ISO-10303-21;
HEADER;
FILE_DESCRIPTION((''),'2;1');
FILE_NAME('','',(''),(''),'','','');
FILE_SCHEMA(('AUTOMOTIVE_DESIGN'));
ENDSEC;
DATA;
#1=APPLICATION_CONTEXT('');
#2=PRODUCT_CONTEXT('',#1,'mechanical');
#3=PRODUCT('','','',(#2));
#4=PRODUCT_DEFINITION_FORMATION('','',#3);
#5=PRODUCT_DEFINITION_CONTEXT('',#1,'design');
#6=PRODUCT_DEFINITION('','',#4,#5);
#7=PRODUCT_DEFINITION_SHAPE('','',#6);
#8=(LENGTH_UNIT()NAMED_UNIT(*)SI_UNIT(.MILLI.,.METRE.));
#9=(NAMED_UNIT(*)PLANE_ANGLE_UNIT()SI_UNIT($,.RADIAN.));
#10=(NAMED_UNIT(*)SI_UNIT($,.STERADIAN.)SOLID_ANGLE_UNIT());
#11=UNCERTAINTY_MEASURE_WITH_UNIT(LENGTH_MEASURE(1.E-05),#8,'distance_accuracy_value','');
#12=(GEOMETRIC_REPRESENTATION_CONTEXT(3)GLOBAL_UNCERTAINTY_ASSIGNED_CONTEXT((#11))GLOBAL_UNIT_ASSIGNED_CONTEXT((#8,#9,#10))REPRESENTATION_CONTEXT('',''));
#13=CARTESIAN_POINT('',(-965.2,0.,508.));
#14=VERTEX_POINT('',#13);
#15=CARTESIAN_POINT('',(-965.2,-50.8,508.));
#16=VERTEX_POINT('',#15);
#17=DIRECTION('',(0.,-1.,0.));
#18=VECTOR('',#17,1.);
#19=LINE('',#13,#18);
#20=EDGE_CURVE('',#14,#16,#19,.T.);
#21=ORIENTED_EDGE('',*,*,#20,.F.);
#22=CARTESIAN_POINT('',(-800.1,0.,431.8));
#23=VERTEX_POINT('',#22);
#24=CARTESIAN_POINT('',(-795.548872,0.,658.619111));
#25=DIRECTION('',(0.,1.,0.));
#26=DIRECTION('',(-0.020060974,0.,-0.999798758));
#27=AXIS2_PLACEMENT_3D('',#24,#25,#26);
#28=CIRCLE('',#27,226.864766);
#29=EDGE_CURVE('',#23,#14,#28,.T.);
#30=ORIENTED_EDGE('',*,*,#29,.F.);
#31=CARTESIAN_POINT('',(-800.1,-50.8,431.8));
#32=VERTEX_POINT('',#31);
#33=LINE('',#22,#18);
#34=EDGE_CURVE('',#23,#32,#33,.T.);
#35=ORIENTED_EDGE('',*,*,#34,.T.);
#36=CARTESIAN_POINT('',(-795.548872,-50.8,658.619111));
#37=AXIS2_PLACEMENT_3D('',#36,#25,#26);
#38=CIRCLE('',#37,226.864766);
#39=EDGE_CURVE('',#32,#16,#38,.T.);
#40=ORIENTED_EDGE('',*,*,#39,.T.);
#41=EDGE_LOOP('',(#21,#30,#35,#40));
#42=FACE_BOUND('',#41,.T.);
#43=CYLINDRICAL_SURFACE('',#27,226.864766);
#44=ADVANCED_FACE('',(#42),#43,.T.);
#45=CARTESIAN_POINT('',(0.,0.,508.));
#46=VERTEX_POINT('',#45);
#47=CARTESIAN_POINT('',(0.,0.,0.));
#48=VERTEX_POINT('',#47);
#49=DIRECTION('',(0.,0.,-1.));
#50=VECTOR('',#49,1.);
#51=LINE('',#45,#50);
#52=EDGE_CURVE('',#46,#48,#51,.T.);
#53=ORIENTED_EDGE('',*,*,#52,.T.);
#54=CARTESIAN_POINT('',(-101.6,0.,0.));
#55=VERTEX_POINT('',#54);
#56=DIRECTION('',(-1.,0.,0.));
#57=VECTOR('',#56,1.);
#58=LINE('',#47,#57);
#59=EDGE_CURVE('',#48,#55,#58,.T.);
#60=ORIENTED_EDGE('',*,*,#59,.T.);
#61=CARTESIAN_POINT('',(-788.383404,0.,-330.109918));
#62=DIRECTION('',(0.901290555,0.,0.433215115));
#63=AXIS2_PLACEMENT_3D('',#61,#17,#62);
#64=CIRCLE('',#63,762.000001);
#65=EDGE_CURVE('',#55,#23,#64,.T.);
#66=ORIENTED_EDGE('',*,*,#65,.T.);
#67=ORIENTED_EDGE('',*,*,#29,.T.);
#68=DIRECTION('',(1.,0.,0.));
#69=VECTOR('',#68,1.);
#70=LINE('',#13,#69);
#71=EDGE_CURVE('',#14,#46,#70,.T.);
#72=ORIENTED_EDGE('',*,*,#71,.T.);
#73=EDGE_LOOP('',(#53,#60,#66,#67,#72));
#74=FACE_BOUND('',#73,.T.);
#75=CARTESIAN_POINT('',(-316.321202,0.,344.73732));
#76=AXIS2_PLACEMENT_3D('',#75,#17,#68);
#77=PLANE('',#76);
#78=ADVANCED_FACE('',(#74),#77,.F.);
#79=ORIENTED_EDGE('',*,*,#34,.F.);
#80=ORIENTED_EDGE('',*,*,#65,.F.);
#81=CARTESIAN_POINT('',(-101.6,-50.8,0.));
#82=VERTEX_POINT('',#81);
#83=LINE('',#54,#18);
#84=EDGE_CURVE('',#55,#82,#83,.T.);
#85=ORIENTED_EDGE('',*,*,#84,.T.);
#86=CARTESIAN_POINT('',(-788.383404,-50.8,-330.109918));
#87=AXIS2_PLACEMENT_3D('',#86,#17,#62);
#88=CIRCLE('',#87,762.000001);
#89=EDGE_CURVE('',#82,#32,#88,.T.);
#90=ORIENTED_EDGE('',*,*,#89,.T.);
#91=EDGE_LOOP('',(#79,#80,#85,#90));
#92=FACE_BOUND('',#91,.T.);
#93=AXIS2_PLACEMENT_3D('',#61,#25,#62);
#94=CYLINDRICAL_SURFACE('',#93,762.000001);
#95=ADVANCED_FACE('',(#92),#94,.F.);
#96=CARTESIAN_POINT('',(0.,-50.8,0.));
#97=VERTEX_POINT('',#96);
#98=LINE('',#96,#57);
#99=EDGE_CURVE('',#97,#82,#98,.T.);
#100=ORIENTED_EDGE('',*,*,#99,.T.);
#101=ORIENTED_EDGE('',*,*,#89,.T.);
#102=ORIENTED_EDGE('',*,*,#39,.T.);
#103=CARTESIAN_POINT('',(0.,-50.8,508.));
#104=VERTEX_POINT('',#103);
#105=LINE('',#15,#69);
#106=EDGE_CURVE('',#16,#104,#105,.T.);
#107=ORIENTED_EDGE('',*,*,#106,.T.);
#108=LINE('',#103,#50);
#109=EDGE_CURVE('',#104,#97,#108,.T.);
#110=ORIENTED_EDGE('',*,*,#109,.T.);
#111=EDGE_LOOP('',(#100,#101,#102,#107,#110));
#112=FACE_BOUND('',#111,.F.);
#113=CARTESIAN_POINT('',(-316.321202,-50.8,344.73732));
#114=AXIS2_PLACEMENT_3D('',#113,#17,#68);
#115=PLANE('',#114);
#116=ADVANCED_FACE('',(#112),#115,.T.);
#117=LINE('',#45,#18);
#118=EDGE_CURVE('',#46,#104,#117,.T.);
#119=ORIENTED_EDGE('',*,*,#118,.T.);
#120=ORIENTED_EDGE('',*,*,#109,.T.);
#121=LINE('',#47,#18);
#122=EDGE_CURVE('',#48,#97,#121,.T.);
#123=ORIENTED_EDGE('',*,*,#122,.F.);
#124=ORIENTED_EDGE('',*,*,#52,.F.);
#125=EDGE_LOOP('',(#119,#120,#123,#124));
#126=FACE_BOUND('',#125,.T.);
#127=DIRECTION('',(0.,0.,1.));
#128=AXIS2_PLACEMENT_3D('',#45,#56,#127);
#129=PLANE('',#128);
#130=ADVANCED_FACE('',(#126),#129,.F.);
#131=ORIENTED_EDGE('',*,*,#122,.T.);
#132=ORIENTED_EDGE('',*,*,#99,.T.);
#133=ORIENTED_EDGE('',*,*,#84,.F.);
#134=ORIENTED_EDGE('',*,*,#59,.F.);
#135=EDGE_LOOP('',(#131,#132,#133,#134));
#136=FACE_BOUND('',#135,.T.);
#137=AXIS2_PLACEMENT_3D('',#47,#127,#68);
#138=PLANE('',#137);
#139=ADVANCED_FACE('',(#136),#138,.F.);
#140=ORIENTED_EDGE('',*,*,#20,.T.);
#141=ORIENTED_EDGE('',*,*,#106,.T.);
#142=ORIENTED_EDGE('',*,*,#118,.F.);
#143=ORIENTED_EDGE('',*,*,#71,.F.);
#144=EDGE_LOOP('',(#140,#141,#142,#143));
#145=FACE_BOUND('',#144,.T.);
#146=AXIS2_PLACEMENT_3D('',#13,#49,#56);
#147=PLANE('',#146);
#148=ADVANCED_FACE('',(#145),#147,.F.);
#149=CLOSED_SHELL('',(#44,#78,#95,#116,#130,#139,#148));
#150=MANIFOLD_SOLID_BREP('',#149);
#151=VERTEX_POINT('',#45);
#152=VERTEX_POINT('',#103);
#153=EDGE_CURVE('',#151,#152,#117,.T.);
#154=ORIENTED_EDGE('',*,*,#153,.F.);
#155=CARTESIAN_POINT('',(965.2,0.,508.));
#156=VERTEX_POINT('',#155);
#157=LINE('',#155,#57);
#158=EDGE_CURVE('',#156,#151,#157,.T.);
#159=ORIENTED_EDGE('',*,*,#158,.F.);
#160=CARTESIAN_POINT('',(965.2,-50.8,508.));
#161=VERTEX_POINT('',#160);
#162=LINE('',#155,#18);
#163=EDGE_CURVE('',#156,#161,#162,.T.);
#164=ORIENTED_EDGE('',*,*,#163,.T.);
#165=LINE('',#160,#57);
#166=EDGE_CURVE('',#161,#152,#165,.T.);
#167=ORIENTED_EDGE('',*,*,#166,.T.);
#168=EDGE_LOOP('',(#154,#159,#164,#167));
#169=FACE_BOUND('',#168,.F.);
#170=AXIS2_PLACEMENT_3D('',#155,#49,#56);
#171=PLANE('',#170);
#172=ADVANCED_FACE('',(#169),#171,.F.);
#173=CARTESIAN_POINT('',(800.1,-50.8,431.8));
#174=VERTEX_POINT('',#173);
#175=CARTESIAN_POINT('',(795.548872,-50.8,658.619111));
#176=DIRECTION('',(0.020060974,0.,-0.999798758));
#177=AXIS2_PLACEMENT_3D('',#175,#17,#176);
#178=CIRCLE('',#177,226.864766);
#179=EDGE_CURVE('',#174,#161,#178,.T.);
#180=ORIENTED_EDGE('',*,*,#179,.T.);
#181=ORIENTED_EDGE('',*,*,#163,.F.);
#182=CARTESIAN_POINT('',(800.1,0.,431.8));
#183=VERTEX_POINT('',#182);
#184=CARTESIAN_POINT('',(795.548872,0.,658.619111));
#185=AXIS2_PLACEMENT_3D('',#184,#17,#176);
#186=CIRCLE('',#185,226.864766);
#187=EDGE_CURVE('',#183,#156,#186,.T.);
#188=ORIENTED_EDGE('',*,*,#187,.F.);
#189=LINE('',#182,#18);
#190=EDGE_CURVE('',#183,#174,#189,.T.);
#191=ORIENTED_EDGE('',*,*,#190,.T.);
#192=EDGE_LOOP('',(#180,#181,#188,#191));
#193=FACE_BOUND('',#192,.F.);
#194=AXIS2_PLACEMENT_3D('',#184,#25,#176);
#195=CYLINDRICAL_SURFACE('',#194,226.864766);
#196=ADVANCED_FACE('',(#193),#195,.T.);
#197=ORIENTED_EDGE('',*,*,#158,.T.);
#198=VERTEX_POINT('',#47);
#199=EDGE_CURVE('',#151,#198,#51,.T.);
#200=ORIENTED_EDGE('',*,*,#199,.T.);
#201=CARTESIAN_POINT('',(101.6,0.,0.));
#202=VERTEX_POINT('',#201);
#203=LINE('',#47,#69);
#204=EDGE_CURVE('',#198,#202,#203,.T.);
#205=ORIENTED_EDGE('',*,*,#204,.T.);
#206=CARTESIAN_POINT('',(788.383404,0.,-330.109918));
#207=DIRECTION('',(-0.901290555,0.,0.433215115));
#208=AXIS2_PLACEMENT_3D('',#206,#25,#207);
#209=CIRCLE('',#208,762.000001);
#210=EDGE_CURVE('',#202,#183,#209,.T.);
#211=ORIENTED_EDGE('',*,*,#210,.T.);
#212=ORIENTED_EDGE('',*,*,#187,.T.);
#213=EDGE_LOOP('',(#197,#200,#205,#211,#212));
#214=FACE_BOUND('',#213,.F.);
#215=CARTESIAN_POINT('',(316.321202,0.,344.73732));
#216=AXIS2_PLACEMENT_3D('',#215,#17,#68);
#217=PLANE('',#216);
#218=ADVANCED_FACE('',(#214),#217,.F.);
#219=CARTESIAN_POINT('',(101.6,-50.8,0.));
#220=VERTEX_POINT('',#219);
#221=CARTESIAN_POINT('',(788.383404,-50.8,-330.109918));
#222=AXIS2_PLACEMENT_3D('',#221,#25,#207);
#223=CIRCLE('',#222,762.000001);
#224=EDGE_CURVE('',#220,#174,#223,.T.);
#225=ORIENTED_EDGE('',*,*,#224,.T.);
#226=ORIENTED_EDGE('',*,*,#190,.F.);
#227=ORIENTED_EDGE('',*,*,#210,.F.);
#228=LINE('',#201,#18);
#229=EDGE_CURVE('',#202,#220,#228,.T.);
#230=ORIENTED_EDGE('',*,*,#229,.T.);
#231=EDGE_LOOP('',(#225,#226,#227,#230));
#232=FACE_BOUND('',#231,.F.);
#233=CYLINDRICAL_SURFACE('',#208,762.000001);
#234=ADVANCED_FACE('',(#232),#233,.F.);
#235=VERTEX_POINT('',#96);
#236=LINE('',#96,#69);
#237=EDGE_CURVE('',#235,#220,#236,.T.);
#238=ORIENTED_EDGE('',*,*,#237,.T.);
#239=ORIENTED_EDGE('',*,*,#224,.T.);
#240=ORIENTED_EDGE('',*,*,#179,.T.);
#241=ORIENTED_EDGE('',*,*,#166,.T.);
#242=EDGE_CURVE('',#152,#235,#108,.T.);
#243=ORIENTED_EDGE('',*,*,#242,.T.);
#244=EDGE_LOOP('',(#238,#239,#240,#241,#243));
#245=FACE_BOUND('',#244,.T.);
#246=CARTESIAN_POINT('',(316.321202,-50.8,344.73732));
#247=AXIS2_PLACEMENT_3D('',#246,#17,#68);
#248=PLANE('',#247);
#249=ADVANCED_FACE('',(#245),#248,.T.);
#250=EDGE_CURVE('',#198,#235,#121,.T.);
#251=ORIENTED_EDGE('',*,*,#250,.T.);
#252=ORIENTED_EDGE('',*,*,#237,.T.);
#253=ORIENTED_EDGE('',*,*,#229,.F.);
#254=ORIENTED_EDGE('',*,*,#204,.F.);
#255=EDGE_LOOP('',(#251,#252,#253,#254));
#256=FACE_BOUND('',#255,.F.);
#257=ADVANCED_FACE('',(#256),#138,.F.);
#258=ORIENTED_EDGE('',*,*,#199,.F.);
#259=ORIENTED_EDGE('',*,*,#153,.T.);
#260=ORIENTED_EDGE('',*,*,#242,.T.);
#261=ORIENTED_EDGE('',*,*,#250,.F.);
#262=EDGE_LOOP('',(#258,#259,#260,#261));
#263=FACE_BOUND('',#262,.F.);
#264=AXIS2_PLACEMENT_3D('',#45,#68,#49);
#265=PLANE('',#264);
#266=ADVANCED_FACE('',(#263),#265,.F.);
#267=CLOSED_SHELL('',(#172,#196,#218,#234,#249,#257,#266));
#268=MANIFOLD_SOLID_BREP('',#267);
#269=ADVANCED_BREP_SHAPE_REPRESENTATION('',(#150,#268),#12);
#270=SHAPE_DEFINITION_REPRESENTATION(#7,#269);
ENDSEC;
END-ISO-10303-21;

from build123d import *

# Parameters (mm, degrees)
F1_DEPTH = 50.8


with BuildPart() as f1:
    # F0 (on Front) → F1 (new body)
    with BuildSketch(Plane.XZ):
        with BuildLine():
            Line((800.1, 508), (0, 508))
            Line((0, 508), (0, 0))
            Line((0, 0), (101.6, 0))
            ThreePointArc((101.6, 0), (387.706965, 318.043145), (800.1, 431.8))
            Line((800.1, 431.8), (800.1, 508))
        make_face()
        with BuildLine():
            Line((965.2, 508), (800.1, 508))
            Line((800.1, 508), (800.1, 431.8))
            ThreePointArc((800.1, 431.8), (890.618407, 452.635118), (965.2, 508))
        make_face()
    extrude(amount=F1_DEPTH)


with BuildPart() as f2_1:
    # F2: instance of F1
    add(f1.part.mirror(Plane.YZ))


solid = Compound([f1.part, f2_1.part])
